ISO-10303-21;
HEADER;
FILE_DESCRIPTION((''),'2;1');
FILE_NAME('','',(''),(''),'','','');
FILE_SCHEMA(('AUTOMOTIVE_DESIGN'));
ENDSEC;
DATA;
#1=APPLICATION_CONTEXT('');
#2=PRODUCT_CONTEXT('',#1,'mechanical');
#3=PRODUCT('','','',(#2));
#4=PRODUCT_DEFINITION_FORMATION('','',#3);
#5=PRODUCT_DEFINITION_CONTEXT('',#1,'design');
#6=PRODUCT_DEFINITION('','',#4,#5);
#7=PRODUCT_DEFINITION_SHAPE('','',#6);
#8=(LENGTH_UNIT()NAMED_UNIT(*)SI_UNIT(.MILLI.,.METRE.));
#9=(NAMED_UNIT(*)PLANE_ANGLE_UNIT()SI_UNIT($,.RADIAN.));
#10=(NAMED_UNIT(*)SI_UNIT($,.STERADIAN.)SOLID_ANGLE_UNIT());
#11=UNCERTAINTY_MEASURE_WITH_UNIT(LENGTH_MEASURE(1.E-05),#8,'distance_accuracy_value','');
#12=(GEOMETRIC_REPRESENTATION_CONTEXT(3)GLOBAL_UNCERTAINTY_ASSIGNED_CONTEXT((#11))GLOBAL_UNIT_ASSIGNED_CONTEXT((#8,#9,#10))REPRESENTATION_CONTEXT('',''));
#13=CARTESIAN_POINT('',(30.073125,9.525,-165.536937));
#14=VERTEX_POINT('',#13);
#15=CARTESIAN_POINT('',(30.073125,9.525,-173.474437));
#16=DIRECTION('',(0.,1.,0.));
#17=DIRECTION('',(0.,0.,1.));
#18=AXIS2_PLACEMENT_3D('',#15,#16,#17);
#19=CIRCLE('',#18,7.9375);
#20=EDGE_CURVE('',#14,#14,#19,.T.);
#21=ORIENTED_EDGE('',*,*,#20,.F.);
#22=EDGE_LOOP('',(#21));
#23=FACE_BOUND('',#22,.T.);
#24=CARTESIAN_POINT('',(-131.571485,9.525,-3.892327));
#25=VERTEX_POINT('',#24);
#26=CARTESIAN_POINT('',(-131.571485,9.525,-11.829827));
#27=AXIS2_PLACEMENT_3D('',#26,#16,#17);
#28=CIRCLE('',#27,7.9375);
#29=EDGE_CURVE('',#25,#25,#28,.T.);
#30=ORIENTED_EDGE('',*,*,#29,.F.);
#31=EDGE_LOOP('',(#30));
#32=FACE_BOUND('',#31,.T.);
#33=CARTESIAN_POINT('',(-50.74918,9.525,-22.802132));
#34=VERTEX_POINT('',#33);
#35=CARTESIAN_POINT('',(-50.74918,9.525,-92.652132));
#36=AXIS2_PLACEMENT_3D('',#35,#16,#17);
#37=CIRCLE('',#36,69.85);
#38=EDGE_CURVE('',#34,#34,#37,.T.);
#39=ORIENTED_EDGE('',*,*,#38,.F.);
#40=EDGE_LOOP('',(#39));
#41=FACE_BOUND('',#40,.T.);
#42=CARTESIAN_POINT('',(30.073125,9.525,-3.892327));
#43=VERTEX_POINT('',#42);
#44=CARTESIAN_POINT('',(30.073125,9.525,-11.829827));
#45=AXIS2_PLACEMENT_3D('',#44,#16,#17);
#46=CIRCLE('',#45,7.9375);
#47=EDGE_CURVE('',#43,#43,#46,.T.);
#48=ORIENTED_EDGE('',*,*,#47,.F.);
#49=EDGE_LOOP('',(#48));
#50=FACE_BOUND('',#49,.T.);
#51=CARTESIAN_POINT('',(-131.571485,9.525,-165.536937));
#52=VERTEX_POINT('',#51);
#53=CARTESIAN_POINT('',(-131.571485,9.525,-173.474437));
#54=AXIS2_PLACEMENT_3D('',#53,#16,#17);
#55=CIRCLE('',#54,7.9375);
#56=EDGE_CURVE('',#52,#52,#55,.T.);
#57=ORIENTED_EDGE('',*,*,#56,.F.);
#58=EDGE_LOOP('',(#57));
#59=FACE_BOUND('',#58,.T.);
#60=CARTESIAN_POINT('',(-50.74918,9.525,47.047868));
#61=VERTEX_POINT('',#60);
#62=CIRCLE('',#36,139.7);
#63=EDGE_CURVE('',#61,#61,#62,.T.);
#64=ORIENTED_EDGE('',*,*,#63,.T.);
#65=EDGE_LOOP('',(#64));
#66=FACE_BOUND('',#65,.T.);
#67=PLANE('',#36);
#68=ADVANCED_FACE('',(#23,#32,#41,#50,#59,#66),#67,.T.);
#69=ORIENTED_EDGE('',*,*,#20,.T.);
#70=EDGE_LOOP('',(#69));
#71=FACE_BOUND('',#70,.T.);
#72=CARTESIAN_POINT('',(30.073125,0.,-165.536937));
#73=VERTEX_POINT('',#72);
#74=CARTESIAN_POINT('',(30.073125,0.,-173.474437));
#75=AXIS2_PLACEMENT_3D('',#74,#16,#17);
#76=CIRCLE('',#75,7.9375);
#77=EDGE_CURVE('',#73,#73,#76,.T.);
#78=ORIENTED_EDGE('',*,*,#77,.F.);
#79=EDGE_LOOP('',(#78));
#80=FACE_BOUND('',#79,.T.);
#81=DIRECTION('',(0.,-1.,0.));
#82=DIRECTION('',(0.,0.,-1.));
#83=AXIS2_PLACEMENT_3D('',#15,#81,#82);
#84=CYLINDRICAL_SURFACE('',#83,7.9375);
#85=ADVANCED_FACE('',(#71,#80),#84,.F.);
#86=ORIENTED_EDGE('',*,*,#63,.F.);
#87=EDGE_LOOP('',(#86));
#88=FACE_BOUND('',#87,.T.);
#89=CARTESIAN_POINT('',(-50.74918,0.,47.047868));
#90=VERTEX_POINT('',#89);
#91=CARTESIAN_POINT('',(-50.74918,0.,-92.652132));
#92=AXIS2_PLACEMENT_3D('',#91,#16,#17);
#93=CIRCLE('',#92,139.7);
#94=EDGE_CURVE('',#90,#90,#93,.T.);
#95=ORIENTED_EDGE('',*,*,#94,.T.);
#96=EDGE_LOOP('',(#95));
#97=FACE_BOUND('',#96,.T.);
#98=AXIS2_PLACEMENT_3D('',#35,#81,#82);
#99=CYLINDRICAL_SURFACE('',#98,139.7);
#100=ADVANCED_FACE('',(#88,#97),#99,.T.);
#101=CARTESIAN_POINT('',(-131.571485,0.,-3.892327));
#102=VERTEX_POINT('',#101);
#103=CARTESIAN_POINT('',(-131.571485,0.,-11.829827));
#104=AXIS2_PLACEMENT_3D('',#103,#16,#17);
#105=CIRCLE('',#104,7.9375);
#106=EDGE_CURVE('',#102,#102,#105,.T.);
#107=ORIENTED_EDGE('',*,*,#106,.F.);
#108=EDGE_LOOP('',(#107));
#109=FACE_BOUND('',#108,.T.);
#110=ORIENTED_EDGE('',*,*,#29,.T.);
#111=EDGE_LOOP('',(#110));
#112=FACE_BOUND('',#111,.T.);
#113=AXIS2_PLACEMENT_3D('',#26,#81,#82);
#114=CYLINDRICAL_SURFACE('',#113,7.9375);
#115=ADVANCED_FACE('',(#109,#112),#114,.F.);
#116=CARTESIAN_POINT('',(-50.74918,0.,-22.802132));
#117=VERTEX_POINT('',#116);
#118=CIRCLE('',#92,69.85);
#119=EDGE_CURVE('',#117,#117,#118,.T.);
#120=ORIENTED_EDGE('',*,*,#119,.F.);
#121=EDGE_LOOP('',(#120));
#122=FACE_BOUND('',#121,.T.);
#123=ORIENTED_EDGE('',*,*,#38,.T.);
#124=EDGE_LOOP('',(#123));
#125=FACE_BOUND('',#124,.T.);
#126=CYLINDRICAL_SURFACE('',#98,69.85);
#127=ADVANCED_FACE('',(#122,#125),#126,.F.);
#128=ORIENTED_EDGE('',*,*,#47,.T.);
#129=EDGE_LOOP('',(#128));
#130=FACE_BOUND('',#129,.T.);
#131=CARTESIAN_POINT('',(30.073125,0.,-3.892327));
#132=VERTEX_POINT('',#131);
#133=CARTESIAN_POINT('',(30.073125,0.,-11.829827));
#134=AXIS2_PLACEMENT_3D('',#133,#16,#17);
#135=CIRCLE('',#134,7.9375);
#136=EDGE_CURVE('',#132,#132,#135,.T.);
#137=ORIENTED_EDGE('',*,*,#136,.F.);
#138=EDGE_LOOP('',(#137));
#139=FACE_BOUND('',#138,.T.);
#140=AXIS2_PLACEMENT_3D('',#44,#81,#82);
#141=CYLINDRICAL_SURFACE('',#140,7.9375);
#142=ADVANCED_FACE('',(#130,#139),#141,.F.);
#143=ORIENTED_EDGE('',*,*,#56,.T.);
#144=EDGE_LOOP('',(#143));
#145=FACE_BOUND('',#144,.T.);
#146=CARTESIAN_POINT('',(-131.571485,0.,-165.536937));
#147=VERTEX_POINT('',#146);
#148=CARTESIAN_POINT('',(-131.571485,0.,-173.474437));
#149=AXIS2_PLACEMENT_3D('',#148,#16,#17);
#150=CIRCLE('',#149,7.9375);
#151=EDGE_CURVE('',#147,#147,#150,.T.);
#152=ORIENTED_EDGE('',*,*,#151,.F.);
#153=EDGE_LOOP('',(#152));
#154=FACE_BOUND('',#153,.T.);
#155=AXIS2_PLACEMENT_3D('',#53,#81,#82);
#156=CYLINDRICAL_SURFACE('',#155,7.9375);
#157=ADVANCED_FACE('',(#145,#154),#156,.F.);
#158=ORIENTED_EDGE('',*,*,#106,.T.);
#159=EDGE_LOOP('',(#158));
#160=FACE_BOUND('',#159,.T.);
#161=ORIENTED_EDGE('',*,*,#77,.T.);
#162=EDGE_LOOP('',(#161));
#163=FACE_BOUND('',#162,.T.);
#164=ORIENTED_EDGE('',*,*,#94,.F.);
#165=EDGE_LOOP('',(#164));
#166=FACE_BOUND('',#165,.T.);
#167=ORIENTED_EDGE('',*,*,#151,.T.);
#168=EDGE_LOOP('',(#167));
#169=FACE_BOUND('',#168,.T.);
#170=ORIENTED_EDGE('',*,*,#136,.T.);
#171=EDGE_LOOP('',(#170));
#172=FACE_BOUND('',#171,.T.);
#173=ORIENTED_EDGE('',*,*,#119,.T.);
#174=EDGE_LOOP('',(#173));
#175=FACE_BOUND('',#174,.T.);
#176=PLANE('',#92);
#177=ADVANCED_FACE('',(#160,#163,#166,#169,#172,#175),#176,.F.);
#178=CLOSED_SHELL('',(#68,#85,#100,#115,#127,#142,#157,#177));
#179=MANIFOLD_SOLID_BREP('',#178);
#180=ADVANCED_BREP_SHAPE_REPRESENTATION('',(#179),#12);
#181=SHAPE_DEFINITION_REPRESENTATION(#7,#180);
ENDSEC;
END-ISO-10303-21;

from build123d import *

# Parameters (mm, degrees)
SKETCH1_R           = 139.7
SKETCH1_R_2         = 69.85
SKETCH1_R_3         = 7.9375
BOSS_EXTRUDE1_DEPTH = 9.525


with BuildPart() as part:
    # Sketch1 → Boss-Extrude1 (new body)
    with BuildSketch(Plane(origin=(0, 0, 0), x_dir=(1, 0, 0), z_dir=(0, 1, 0))):
        with Locations((-50.749179719, 92.652131738)):
            Circle(SKETCH1_R)
        with Locations((-50.749179719, 92.652131738)):
            Circle(SKETCH1_R_2, mode=Mode.SUBTRACT)
        with Locations((-131.571484808, 173.474436827)):
            Circle(SKETCH1_R_3, mode=Mode.SUBTRACT)
        with Locations((-131.571484808, 11.829826648)):
            Circle(SKETCH1_R_3, mode=Mode.SUBTRACT)
        with Locations((30.073125371, 11.829826648)):
            Circle(SKETCH1_R_3, mode=Mode.SUBTRACT)
        with Locations((30.073125371, 173.474436827)):
            Circle(SKETCH1_R_3, mode=Mode.SUBTRACT)
    extrude(amount=BOSS_EXTRUDE1_DEPTH)


solid = part.part
